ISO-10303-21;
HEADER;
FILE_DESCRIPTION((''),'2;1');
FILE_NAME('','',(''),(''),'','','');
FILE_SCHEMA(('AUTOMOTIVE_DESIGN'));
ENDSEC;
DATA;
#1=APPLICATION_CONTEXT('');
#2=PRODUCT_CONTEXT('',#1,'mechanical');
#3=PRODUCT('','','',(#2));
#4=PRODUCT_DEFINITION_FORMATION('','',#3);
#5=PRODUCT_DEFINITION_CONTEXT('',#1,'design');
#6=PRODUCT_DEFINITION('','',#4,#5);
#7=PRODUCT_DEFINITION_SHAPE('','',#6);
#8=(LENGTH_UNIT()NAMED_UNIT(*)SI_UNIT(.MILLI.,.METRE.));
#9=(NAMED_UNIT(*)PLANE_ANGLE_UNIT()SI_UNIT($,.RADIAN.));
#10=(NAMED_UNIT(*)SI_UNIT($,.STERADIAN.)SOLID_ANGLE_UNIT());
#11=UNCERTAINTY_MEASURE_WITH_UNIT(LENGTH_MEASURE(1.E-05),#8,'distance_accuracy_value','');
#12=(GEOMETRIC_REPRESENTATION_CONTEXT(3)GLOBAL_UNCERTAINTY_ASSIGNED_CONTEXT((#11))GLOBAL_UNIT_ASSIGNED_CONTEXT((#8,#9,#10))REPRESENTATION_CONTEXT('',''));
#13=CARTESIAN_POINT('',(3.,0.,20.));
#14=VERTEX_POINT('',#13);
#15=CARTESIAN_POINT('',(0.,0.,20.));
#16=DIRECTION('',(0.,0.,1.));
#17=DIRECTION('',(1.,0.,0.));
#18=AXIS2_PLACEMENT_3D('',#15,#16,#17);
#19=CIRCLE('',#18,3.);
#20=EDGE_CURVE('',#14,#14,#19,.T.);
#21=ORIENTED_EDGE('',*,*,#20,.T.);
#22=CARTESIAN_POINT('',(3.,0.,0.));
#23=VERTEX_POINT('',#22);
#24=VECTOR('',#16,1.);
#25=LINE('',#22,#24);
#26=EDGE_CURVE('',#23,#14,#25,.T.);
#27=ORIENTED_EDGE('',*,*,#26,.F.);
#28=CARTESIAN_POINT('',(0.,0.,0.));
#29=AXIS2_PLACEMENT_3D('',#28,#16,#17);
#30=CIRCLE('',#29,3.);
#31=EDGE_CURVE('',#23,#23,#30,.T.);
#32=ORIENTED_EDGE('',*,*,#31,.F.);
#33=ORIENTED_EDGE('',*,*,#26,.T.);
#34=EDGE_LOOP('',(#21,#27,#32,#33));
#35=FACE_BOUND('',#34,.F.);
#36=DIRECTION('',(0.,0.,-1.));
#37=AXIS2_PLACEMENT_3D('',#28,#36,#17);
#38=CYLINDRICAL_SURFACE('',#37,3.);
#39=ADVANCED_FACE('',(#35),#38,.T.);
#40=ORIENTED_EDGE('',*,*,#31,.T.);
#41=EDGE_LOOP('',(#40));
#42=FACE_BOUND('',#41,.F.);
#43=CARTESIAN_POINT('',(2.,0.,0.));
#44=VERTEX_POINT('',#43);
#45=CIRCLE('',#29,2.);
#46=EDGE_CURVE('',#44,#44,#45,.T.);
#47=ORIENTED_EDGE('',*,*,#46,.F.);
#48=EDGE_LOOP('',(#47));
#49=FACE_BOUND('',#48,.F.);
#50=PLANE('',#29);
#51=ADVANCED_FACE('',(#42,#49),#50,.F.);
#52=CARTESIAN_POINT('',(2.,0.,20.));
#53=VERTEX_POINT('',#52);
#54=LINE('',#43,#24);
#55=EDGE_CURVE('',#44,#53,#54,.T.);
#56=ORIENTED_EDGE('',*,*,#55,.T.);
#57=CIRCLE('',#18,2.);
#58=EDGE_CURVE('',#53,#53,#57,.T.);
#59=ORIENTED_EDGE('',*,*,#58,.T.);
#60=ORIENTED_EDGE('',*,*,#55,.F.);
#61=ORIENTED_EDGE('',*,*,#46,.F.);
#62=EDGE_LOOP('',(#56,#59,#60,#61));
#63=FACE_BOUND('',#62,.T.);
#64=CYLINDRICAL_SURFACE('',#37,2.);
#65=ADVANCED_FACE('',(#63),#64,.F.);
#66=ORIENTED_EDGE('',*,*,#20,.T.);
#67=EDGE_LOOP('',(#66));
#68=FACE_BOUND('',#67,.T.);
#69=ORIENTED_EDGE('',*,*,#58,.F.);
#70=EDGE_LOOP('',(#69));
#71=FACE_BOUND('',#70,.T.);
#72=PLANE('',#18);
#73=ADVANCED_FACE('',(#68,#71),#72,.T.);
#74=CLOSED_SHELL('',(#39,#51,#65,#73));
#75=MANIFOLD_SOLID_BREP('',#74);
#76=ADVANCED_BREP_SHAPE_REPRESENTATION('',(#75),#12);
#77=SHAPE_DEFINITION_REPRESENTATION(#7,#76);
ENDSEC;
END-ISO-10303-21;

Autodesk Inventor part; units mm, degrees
ref_plane "YZ Plane" through (0, 0, 0) normal (1, 0, 0) x (0, 1, 0)
ref_plane "XZ Plane" through (0, 0, 0) normal (0, 1, 0) x (-1, 0, 0)
ref_plane "XY Plane" through (0, 0, 0) normal (0, 0, 1) x (1, 0, 0)
sketch "Skizze1" plane through (0, 0, 0) normal (0, 0, 1) x (1, 0, 0)
  circle A0 centre (0, 0) radius 2
  circle A1 centre (0, 0) radius 3
  dimension "d0" = 4
  dimension "d1" = 6
extrude "Extrusion1" add sketch "Skizze1" along normal blind 20
properties part number "Lagerhülse 6x4x0" material "Messing, weicher Gelbton(1)"
